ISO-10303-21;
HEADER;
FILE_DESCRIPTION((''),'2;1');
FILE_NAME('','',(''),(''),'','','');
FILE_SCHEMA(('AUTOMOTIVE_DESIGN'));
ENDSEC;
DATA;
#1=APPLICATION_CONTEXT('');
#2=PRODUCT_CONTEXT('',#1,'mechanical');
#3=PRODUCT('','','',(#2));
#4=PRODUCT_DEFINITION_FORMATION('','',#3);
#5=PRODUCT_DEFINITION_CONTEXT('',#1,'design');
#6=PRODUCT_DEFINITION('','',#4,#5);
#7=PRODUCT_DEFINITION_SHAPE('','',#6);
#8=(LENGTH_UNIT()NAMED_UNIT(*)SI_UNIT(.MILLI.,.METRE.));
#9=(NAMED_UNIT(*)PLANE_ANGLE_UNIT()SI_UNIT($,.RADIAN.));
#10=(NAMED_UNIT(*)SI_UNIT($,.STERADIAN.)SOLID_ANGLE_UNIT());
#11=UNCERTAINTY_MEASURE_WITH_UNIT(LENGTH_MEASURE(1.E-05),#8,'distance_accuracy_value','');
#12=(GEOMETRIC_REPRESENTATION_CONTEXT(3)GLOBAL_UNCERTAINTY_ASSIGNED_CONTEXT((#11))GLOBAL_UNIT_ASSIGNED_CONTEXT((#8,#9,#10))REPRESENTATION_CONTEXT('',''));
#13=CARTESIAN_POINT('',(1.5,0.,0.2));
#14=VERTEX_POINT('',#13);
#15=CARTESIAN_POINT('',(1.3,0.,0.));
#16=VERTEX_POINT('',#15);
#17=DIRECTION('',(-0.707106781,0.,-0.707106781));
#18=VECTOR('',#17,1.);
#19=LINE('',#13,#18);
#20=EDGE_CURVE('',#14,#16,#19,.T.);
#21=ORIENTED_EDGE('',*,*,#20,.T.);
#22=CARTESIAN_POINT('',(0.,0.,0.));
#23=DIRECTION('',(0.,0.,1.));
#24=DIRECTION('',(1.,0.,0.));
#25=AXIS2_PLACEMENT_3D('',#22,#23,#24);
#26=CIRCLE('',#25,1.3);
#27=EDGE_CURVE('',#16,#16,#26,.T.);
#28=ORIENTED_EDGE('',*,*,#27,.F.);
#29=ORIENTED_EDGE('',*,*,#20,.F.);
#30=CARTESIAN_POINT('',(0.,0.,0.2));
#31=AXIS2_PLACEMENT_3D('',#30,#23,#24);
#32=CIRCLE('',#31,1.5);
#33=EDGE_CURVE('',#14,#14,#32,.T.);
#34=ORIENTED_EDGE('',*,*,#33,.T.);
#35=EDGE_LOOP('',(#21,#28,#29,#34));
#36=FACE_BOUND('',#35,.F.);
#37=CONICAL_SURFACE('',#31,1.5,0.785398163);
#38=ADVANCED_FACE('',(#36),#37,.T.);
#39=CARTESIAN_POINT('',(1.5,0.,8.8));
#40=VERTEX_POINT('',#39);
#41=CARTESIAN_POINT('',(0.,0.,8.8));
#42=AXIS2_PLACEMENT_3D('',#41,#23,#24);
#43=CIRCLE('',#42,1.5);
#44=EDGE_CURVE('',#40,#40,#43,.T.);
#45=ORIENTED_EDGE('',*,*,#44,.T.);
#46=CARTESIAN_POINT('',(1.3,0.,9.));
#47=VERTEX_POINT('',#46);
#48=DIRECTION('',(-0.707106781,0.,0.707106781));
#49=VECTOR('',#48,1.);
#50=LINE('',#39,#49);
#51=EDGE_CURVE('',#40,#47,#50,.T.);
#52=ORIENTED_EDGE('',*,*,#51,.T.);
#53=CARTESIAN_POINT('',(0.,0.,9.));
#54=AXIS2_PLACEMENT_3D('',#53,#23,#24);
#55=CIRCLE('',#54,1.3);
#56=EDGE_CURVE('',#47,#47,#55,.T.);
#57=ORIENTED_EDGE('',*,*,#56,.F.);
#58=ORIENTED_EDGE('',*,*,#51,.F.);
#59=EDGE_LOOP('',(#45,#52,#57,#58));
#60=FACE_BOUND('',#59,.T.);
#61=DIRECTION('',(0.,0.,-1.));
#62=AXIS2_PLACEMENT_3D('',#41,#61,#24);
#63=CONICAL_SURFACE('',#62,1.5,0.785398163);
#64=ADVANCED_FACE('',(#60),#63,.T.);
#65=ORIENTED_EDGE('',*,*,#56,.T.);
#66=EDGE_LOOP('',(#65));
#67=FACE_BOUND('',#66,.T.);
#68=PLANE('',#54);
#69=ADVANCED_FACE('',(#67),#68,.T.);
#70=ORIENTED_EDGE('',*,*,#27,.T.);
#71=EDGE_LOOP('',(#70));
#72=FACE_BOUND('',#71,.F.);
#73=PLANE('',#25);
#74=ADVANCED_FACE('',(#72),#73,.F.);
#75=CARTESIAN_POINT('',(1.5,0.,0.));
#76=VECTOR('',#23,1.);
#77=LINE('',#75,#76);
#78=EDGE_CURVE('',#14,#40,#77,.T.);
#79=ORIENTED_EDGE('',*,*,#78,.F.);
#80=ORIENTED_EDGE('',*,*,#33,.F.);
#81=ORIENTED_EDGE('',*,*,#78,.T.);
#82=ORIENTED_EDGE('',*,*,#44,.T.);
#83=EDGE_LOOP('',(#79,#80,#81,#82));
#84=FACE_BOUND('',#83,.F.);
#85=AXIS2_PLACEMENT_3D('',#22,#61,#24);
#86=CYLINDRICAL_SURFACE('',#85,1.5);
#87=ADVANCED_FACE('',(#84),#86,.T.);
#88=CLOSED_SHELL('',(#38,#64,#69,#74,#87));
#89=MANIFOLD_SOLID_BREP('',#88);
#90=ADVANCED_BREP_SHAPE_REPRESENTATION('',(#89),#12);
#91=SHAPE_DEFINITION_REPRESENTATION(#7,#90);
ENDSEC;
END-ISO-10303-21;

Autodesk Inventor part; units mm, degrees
ref_plane "YZ Plane" through (0, 0, 0) normal (1, 0, 0) x (0, 1, 0)
ref_plane "XZ Plane" through (0, 0, 0) normal (0, 1, 0) x (-1, 0, 0)
ref_plane "XY Plane" through (0, 0, 0) normal (0, 0, 1) x (1, 0, 0)
sketch "Skizze1" plane through (0, 0, 0) normal (0, 0, 1) x (1, 0, 0)
  circle A0 centre (0, 0) radius 1.5
  dimension "d0" = 3
extrude "Extrusion1" add sketch "Skizze1" along normal blind 9
chamfer "Fase1" distance 0.2 angle 45 2 edges at (-1.5, 0, 9) (-1.5, 0, 0)
properties part number "daVinci_Tool_Clutch_Pins" material "Edelstahl"
